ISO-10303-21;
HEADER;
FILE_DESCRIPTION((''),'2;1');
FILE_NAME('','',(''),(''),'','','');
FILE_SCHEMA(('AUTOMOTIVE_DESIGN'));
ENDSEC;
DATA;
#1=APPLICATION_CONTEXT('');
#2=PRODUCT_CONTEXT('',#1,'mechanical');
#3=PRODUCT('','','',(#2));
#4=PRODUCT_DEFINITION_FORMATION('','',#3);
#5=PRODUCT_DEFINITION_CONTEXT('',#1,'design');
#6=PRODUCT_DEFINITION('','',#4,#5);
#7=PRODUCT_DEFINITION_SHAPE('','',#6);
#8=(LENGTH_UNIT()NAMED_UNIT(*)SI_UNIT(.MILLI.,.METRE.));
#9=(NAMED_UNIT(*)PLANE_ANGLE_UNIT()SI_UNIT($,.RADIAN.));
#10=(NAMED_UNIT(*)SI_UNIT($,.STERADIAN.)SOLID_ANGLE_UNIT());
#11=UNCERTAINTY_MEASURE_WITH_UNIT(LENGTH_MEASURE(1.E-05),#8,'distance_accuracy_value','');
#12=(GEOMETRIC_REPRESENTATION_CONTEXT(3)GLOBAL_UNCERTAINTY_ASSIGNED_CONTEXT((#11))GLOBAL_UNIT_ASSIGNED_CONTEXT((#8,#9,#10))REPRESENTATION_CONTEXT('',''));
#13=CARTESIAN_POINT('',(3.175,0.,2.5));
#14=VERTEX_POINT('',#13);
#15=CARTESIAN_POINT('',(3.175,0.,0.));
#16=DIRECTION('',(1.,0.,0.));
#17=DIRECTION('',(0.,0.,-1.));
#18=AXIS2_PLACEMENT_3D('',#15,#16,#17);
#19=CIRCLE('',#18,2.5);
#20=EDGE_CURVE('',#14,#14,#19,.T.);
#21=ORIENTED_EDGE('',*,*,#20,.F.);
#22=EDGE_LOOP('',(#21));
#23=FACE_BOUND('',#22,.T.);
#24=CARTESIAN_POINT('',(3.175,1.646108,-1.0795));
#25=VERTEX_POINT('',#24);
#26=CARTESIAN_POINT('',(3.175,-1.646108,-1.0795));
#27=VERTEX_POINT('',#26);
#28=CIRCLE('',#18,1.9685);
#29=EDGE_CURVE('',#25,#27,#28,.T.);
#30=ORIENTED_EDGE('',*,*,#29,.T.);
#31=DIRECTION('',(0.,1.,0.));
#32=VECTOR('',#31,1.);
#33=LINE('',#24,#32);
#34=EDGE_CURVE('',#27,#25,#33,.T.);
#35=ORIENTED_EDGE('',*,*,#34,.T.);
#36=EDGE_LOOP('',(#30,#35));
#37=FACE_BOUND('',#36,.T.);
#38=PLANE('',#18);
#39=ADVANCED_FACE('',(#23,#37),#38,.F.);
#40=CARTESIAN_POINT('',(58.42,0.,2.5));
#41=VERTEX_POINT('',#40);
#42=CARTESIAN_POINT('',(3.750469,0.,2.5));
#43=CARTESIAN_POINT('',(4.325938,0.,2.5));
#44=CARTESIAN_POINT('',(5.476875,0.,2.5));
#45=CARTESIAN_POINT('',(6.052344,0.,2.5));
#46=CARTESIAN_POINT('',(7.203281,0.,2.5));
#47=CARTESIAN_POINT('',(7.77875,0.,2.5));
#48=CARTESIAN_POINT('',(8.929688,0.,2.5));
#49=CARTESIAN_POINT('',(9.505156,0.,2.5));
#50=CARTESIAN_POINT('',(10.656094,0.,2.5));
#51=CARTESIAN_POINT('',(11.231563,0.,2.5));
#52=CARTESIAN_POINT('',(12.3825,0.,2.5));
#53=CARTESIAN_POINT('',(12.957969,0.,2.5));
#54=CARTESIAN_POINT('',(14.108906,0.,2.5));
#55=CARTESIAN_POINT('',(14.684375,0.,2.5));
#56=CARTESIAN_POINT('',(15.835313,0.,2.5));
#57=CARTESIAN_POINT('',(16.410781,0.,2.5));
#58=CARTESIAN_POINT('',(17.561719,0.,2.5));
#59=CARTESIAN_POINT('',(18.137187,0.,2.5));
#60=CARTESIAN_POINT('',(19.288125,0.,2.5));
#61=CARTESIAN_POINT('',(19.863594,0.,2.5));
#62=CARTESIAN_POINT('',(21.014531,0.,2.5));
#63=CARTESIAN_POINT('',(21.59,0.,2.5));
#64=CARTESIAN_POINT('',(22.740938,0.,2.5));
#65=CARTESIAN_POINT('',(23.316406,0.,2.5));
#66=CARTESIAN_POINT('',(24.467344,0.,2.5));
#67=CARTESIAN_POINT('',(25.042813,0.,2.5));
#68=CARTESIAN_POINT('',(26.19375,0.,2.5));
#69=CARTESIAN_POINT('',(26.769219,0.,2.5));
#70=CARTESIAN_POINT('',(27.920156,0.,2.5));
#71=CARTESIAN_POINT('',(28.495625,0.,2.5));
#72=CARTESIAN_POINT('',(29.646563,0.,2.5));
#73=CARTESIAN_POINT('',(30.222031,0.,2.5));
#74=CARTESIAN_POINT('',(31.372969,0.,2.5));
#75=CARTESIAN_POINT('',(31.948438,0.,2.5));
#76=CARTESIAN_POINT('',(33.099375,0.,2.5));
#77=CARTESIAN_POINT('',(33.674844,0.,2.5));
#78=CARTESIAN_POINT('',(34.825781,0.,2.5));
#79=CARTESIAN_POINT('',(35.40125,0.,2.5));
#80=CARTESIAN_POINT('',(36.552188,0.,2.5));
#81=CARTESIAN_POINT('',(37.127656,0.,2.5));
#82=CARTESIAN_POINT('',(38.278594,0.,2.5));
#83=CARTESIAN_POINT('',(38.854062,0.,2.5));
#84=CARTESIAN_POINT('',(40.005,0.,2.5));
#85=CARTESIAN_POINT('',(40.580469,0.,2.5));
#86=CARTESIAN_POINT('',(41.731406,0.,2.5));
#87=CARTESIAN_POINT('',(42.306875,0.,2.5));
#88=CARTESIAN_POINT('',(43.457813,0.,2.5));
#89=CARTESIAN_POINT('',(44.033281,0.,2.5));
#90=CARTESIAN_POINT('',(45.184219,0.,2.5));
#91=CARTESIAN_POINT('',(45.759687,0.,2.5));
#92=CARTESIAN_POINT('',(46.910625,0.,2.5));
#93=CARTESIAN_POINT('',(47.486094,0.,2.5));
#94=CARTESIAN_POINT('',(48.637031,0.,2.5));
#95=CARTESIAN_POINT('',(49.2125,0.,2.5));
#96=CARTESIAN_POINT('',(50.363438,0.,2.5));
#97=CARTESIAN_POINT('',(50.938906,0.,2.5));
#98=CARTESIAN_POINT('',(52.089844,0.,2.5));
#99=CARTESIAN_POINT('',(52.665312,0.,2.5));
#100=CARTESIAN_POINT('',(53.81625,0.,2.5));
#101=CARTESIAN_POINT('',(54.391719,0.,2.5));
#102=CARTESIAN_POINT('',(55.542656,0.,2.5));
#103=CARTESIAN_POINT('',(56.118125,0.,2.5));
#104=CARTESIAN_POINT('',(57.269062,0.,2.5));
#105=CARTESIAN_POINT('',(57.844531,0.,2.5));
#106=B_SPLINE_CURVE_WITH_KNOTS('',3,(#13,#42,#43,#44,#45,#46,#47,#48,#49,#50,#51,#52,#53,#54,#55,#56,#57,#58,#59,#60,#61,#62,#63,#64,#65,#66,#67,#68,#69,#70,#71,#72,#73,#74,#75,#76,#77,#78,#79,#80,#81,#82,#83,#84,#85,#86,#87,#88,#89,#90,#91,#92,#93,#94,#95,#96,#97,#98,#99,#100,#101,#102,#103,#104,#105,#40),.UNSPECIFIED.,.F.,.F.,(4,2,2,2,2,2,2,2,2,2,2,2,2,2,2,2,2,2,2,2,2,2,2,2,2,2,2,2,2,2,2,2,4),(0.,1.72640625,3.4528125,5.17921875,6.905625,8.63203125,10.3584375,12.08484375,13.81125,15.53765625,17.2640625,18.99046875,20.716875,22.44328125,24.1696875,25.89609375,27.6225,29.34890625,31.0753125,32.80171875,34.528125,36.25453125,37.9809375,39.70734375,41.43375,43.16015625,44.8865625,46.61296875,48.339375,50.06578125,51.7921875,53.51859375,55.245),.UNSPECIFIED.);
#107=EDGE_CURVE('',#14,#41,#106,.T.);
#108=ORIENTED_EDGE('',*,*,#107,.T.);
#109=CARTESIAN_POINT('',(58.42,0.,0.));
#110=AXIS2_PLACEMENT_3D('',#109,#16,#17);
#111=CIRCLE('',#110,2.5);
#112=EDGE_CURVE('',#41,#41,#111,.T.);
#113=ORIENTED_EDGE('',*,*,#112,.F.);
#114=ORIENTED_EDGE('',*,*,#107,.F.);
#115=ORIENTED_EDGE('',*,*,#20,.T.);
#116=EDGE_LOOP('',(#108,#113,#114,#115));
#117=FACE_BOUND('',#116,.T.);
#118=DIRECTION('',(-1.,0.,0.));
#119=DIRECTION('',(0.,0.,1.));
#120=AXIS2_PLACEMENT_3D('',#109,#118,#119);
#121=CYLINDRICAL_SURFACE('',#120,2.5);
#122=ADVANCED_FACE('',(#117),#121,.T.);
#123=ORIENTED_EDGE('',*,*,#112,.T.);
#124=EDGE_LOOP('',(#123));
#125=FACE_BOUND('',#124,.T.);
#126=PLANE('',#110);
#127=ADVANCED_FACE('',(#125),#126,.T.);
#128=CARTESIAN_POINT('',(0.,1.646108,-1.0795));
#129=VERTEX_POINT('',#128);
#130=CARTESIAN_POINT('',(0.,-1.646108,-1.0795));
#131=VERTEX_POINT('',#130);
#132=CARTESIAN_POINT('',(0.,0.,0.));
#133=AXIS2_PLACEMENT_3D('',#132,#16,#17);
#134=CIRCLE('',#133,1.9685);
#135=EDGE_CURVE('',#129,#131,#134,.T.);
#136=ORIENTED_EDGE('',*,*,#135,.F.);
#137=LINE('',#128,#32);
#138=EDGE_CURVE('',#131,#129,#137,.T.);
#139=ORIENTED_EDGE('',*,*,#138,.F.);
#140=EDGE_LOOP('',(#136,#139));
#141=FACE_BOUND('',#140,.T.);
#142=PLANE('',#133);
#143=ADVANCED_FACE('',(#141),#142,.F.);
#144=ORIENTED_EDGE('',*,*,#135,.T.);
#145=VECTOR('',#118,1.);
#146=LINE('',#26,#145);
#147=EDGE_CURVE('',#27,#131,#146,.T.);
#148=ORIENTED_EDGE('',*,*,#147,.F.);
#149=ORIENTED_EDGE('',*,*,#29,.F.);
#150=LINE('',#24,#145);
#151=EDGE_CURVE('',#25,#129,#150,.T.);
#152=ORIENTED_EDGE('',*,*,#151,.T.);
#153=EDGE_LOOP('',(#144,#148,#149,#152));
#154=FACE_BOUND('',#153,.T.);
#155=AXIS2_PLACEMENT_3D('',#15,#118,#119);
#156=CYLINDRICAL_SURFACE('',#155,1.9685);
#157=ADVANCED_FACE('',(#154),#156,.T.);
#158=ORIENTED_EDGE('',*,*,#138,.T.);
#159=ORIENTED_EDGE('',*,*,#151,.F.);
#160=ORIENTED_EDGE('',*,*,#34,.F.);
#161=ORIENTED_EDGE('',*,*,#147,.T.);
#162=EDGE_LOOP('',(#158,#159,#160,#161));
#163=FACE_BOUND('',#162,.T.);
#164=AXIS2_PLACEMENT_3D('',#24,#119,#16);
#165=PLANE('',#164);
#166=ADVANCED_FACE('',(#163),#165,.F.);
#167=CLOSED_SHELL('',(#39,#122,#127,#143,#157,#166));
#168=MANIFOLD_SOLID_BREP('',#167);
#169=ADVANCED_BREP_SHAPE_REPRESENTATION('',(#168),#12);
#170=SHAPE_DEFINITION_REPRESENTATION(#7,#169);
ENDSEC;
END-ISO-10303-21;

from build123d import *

# Parameters (mm, degrees)
SKETCH1_R          = 2.5
BASE_DEPTH         = 58.42
SKETCH2_OUTSIDE_W  = 18.77
SKETCH2_OUTSIDE_H  = 18.77
CUT_EXTRUDE1_DEPTH = 3.175


with BuildPart() as part:
    # Sketch1 → Base (new body)
    with BuildSketch(Plane(origin=(0, 0, 0), x_dir=(0, 0, -1), z_dir=(1, 0, 0))):
        with Locations(Location((0, 0, 0), (0, 0, 180))):
            Circle(SKETCH1_R)
    extrude(amount=BASE_DEPTH)

    # Sketch2 outside → Cut-Extrude1 (cut)
    with BuildSketch(Plane(origin=(0, 0, 0), x_dir=(0, 0, -1), z_dir=(1, 0, 0))):
        Rectangle(SKETCH2_OUTSIDE_W, SKETCH2_OUTSIDE_H)
        with BuildLine():
            Line((1.0795, 1.646108137), (1.0795, -1.646108137))
            ThreePointArc((1.0795, -1.646108137), (-1.9685, 0), (1.0795, 1.646108137))
        make_face(mode=Mode.SUBTRACT)
    extrude(amount=CUT_EXTRUDE1_DEPTH, mode=Mode.SUBTRACT)


solid = part.part
